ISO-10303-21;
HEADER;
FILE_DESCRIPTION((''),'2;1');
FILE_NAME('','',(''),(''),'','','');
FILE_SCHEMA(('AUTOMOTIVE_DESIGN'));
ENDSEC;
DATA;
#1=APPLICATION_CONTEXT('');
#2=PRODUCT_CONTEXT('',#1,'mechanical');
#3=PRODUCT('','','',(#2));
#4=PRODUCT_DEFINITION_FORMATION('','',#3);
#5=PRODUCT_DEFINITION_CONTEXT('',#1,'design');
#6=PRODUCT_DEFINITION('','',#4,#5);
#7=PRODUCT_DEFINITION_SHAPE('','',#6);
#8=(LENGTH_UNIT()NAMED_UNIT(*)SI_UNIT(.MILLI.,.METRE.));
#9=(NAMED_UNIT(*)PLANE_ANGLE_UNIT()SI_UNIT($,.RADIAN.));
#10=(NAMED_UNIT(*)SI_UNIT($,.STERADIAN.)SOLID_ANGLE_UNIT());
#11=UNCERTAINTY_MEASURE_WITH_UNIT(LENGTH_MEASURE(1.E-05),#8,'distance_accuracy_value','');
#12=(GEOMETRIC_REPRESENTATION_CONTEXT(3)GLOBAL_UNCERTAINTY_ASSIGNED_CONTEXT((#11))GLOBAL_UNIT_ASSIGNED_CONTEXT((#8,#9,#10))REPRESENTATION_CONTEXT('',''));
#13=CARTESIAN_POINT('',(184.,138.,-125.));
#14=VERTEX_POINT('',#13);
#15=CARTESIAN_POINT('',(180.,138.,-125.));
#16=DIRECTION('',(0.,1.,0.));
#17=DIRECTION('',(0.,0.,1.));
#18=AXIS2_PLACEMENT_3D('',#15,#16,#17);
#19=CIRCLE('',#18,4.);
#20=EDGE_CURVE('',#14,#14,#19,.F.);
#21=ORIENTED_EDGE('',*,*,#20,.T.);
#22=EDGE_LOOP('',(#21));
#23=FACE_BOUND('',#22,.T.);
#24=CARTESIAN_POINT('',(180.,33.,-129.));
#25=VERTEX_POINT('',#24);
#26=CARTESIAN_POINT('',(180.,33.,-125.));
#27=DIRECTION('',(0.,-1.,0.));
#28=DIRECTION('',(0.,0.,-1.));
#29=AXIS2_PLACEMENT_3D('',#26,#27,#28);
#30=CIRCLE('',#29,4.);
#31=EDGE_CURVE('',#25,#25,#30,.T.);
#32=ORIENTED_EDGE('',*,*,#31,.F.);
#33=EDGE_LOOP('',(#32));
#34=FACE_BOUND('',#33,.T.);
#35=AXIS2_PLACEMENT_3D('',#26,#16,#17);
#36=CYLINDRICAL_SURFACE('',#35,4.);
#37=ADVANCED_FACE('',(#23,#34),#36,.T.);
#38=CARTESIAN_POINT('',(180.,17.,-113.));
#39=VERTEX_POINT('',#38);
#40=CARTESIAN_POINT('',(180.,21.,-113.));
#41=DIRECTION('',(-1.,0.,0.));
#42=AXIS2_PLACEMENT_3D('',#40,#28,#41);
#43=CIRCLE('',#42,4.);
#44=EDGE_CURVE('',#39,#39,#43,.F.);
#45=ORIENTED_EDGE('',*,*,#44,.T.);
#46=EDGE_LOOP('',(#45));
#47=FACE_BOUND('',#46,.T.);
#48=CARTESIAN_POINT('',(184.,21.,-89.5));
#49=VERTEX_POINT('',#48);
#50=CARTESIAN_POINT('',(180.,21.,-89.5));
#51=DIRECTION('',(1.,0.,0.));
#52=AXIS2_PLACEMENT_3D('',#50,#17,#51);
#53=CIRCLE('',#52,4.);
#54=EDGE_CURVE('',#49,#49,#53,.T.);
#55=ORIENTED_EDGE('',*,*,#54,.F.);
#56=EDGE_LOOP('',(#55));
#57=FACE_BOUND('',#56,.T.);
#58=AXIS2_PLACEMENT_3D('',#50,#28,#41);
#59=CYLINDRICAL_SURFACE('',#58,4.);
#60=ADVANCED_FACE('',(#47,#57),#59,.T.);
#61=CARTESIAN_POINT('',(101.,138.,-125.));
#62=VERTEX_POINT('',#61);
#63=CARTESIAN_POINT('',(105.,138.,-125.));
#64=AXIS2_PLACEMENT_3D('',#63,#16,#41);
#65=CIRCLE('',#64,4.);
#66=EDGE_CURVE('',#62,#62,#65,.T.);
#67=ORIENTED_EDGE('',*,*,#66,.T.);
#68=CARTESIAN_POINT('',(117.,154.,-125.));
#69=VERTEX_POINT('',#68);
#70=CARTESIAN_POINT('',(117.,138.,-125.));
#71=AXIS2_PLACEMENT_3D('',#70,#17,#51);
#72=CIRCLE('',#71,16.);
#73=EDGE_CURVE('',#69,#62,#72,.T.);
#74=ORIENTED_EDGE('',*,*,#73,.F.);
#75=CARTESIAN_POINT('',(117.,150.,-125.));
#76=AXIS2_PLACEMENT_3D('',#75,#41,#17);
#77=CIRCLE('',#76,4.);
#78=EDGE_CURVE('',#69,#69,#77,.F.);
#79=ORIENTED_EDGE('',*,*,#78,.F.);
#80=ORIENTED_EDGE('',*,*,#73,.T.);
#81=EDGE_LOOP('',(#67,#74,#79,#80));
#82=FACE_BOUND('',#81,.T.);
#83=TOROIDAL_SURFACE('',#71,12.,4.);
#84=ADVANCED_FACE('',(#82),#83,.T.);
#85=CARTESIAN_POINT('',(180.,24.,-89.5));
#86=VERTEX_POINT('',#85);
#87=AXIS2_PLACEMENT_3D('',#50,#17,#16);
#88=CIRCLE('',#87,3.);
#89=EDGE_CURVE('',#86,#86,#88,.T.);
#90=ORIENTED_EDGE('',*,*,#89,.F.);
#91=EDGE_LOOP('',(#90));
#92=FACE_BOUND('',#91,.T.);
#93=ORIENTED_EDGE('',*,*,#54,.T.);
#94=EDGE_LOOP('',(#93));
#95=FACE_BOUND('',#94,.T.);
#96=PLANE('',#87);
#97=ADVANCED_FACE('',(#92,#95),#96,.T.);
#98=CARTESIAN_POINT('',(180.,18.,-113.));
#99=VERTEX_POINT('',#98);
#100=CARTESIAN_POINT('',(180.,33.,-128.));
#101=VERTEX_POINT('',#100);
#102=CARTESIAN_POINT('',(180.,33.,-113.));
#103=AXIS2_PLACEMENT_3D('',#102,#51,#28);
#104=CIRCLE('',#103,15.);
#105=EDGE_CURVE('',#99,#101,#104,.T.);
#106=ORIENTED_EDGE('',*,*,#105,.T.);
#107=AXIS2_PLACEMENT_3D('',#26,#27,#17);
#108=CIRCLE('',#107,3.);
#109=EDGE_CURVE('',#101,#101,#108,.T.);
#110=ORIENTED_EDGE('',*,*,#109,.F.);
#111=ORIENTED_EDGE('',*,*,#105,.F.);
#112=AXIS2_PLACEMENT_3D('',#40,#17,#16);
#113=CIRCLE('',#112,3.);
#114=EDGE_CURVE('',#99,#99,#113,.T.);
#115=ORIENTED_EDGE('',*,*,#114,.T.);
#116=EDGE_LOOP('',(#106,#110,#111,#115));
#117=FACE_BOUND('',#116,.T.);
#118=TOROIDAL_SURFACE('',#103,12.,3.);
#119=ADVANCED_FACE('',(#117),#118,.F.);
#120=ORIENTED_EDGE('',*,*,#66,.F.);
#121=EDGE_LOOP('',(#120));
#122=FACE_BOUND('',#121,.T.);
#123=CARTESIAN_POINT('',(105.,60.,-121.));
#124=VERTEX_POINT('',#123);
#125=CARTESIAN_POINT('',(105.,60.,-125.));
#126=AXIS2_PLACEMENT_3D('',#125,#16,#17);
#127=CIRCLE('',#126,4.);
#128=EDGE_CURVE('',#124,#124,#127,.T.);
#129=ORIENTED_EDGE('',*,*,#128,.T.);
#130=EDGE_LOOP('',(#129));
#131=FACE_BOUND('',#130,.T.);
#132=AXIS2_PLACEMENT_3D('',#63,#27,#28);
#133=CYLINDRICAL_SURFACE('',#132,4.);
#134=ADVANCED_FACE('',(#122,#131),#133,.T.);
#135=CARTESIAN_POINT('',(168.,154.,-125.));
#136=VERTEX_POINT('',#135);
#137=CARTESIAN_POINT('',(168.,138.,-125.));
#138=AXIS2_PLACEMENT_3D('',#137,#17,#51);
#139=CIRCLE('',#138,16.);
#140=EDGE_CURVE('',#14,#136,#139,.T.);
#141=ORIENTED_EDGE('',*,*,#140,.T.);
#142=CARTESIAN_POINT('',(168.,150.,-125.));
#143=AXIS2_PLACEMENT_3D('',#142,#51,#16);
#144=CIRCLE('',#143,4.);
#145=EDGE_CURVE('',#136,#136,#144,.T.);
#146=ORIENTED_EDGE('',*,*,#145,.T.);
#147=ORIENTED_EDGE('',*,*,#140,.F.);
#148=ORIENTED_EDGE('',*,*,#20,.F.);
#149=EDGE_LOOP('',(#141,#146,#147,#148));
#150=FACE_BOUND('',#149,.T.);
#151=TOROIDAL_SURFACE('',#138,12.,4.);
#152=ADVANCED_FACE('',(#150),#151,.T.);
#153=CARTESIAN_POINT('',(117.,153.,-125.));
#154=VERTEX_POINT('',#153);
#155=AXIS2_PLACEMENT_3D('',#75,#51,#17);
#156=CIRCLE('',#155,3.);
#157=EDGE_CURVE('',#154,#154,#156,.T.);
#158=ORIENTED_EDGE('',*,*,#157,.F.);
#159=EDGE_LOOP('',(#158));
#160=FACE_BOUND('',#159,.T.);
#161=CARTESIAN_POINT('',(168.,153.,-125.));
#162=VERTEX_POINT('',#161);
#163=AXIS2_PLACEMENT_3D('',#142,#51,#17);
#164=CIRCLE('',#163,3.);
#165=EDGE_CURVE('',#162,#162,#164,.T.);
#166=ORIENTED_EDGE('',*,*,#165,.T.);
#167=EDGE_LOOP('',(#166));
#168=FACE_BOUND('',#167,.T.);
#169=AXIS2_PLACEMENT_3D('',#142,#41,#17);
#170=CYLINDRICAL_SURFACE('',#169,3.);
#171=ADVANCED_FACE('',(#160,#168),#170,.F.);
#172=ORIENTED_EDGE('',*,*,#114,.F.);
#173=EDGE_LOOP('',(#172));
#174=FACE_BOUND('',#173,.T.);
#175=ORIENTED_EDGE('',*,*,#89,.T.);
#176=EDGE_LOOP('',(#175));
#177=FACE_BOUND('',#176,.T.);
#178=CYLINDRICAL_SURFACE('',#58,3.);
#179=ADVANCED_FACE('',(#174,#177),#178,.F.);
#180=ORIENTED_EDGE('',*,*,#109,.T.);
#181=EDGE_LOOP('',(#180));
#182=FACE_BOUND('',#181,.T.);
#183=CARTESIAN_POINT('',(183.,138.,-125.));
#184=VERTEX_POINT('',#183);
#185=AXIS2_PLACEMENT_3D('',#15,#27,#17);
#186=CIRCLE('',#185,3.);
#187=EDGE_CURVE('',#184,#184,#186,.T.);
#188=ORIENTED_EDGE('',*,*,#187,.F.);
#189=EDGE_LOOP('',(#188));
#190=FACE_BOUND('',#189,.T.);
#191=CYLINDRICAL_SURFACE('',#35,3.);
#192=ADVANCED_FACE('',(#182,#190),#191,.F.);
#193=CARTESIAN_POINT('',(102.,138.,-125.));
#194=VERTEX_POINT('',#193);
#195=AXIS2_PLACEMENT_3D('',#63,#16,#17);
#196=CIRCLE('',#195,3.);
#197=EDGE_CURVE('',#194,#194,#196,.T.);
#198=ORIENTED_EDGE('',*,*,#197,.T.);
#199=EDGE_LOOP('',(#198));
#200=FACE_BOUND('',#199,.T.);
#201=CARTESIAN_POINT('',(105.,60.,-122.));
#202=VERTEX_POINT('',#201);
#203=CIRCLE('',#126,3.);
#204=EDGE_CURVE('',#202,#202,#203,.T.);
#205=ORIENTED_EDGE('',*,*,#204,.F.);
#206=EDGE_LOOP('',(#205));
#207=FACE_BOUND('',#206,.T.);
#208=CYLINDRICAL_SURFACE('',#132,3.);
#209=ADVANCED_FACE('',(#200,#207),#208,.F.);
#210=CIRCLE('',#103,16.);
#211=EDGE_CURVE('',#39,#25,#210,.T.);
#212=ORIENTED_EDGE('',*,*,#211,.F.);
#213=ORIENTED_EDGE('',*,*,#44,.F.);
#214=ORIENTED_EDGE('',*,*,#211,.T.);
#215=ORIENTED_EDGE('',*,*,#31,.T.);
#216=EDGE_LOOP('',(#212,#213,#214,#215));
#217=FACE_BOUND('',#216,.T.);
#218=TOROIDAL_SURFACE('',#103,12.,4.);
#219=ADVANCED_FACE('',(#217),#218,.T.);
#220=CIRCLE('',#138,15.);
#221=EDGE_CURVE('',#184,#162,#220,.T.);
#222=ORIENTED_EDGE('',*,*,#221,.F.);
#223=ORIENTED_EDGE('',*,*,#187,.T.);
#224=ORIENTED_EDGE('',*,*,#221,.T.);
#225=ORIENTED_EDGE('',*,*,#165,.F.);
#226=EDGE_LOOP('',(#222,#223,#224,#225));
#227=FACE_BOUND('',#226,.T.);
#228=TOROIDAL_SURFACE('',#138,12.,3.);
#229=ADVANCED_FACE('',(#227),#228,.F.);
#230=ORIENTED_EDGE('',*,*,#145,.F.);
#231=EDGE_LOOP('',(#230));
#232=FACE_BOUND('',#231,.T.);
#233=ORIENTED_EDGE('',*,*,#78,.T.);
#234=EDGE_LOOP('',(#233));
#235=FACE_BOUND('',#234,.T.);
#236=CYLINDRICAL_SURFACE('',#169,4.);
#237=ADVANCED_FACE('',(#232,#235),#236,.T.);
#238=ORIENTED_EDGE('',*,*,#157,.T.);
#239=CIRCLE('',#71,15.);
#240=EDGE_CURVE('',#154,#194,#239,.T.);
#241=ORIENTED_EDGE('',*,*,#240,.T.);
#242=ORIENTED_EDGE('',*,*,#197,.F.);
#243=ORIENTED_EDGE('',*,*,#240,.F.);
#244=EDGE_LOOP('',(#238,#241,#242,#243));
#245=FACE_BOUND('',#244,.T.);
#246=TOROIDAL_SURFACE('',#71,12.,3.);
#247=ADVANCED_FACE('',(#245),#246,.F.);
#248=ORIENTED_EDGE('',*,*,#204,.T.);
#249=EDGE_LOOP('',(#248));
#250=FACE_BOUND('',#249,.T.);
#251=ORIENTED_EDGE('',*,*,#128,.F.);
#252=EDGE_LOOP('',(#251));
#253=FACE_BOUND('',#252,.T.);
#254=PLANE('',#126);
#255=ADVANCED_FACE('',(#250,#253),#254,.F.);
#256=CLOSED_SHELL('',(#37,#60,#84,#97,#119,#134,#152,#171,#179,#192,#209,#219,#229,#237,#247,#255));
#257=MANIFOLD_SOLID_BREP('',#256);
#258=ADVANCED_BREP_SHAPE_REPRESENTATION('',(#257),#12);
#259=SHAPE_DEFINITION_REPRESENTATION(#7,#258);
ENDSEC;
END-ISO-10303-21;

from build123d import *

# Parameters (mm, degrees)
TUBE_PROFILE_R   = 4
TUBE_PROFILE_R_2 = 3


with BuildPart() as part:
    # Tube: sweep along a curve in space
    with BuildLine() as tube_path:
        Line((180, 21, -89.5), (180, 21, -113))
        ThreePointArc((180, 33, -125), (180, 24.514718626, -121.485281374), (180, 21, -113))
        Line((180, 33, -125), (180, 138, -125))
        ThreePointArc((168, 150, -125), (176.485281374, 146.485281374, -125), (180, 138, -125))
        Line((168, 150, -125), (117, 150, -125))
        ThreePointArc((105, 138, -125), (108.514718626, 146.485281374, -125), (117, 150, -125))
        Line((105, 138, -125), (105, 60, -125))
    # Tube profile (on start of the path) → Tube (sweep)
    with BuildSketch(Plane(origin=(180, 21, -89.5), x_dir=(-1, 0, 0), z_dir=(0, 0, -1))):
        Circle(TUBE_PROFILE_R)
        Circle(TUBE_PROFILE_R_2, mode=Mode.SUBTRACT)
    sweep(path=tube_path.line)


solid = part.part
